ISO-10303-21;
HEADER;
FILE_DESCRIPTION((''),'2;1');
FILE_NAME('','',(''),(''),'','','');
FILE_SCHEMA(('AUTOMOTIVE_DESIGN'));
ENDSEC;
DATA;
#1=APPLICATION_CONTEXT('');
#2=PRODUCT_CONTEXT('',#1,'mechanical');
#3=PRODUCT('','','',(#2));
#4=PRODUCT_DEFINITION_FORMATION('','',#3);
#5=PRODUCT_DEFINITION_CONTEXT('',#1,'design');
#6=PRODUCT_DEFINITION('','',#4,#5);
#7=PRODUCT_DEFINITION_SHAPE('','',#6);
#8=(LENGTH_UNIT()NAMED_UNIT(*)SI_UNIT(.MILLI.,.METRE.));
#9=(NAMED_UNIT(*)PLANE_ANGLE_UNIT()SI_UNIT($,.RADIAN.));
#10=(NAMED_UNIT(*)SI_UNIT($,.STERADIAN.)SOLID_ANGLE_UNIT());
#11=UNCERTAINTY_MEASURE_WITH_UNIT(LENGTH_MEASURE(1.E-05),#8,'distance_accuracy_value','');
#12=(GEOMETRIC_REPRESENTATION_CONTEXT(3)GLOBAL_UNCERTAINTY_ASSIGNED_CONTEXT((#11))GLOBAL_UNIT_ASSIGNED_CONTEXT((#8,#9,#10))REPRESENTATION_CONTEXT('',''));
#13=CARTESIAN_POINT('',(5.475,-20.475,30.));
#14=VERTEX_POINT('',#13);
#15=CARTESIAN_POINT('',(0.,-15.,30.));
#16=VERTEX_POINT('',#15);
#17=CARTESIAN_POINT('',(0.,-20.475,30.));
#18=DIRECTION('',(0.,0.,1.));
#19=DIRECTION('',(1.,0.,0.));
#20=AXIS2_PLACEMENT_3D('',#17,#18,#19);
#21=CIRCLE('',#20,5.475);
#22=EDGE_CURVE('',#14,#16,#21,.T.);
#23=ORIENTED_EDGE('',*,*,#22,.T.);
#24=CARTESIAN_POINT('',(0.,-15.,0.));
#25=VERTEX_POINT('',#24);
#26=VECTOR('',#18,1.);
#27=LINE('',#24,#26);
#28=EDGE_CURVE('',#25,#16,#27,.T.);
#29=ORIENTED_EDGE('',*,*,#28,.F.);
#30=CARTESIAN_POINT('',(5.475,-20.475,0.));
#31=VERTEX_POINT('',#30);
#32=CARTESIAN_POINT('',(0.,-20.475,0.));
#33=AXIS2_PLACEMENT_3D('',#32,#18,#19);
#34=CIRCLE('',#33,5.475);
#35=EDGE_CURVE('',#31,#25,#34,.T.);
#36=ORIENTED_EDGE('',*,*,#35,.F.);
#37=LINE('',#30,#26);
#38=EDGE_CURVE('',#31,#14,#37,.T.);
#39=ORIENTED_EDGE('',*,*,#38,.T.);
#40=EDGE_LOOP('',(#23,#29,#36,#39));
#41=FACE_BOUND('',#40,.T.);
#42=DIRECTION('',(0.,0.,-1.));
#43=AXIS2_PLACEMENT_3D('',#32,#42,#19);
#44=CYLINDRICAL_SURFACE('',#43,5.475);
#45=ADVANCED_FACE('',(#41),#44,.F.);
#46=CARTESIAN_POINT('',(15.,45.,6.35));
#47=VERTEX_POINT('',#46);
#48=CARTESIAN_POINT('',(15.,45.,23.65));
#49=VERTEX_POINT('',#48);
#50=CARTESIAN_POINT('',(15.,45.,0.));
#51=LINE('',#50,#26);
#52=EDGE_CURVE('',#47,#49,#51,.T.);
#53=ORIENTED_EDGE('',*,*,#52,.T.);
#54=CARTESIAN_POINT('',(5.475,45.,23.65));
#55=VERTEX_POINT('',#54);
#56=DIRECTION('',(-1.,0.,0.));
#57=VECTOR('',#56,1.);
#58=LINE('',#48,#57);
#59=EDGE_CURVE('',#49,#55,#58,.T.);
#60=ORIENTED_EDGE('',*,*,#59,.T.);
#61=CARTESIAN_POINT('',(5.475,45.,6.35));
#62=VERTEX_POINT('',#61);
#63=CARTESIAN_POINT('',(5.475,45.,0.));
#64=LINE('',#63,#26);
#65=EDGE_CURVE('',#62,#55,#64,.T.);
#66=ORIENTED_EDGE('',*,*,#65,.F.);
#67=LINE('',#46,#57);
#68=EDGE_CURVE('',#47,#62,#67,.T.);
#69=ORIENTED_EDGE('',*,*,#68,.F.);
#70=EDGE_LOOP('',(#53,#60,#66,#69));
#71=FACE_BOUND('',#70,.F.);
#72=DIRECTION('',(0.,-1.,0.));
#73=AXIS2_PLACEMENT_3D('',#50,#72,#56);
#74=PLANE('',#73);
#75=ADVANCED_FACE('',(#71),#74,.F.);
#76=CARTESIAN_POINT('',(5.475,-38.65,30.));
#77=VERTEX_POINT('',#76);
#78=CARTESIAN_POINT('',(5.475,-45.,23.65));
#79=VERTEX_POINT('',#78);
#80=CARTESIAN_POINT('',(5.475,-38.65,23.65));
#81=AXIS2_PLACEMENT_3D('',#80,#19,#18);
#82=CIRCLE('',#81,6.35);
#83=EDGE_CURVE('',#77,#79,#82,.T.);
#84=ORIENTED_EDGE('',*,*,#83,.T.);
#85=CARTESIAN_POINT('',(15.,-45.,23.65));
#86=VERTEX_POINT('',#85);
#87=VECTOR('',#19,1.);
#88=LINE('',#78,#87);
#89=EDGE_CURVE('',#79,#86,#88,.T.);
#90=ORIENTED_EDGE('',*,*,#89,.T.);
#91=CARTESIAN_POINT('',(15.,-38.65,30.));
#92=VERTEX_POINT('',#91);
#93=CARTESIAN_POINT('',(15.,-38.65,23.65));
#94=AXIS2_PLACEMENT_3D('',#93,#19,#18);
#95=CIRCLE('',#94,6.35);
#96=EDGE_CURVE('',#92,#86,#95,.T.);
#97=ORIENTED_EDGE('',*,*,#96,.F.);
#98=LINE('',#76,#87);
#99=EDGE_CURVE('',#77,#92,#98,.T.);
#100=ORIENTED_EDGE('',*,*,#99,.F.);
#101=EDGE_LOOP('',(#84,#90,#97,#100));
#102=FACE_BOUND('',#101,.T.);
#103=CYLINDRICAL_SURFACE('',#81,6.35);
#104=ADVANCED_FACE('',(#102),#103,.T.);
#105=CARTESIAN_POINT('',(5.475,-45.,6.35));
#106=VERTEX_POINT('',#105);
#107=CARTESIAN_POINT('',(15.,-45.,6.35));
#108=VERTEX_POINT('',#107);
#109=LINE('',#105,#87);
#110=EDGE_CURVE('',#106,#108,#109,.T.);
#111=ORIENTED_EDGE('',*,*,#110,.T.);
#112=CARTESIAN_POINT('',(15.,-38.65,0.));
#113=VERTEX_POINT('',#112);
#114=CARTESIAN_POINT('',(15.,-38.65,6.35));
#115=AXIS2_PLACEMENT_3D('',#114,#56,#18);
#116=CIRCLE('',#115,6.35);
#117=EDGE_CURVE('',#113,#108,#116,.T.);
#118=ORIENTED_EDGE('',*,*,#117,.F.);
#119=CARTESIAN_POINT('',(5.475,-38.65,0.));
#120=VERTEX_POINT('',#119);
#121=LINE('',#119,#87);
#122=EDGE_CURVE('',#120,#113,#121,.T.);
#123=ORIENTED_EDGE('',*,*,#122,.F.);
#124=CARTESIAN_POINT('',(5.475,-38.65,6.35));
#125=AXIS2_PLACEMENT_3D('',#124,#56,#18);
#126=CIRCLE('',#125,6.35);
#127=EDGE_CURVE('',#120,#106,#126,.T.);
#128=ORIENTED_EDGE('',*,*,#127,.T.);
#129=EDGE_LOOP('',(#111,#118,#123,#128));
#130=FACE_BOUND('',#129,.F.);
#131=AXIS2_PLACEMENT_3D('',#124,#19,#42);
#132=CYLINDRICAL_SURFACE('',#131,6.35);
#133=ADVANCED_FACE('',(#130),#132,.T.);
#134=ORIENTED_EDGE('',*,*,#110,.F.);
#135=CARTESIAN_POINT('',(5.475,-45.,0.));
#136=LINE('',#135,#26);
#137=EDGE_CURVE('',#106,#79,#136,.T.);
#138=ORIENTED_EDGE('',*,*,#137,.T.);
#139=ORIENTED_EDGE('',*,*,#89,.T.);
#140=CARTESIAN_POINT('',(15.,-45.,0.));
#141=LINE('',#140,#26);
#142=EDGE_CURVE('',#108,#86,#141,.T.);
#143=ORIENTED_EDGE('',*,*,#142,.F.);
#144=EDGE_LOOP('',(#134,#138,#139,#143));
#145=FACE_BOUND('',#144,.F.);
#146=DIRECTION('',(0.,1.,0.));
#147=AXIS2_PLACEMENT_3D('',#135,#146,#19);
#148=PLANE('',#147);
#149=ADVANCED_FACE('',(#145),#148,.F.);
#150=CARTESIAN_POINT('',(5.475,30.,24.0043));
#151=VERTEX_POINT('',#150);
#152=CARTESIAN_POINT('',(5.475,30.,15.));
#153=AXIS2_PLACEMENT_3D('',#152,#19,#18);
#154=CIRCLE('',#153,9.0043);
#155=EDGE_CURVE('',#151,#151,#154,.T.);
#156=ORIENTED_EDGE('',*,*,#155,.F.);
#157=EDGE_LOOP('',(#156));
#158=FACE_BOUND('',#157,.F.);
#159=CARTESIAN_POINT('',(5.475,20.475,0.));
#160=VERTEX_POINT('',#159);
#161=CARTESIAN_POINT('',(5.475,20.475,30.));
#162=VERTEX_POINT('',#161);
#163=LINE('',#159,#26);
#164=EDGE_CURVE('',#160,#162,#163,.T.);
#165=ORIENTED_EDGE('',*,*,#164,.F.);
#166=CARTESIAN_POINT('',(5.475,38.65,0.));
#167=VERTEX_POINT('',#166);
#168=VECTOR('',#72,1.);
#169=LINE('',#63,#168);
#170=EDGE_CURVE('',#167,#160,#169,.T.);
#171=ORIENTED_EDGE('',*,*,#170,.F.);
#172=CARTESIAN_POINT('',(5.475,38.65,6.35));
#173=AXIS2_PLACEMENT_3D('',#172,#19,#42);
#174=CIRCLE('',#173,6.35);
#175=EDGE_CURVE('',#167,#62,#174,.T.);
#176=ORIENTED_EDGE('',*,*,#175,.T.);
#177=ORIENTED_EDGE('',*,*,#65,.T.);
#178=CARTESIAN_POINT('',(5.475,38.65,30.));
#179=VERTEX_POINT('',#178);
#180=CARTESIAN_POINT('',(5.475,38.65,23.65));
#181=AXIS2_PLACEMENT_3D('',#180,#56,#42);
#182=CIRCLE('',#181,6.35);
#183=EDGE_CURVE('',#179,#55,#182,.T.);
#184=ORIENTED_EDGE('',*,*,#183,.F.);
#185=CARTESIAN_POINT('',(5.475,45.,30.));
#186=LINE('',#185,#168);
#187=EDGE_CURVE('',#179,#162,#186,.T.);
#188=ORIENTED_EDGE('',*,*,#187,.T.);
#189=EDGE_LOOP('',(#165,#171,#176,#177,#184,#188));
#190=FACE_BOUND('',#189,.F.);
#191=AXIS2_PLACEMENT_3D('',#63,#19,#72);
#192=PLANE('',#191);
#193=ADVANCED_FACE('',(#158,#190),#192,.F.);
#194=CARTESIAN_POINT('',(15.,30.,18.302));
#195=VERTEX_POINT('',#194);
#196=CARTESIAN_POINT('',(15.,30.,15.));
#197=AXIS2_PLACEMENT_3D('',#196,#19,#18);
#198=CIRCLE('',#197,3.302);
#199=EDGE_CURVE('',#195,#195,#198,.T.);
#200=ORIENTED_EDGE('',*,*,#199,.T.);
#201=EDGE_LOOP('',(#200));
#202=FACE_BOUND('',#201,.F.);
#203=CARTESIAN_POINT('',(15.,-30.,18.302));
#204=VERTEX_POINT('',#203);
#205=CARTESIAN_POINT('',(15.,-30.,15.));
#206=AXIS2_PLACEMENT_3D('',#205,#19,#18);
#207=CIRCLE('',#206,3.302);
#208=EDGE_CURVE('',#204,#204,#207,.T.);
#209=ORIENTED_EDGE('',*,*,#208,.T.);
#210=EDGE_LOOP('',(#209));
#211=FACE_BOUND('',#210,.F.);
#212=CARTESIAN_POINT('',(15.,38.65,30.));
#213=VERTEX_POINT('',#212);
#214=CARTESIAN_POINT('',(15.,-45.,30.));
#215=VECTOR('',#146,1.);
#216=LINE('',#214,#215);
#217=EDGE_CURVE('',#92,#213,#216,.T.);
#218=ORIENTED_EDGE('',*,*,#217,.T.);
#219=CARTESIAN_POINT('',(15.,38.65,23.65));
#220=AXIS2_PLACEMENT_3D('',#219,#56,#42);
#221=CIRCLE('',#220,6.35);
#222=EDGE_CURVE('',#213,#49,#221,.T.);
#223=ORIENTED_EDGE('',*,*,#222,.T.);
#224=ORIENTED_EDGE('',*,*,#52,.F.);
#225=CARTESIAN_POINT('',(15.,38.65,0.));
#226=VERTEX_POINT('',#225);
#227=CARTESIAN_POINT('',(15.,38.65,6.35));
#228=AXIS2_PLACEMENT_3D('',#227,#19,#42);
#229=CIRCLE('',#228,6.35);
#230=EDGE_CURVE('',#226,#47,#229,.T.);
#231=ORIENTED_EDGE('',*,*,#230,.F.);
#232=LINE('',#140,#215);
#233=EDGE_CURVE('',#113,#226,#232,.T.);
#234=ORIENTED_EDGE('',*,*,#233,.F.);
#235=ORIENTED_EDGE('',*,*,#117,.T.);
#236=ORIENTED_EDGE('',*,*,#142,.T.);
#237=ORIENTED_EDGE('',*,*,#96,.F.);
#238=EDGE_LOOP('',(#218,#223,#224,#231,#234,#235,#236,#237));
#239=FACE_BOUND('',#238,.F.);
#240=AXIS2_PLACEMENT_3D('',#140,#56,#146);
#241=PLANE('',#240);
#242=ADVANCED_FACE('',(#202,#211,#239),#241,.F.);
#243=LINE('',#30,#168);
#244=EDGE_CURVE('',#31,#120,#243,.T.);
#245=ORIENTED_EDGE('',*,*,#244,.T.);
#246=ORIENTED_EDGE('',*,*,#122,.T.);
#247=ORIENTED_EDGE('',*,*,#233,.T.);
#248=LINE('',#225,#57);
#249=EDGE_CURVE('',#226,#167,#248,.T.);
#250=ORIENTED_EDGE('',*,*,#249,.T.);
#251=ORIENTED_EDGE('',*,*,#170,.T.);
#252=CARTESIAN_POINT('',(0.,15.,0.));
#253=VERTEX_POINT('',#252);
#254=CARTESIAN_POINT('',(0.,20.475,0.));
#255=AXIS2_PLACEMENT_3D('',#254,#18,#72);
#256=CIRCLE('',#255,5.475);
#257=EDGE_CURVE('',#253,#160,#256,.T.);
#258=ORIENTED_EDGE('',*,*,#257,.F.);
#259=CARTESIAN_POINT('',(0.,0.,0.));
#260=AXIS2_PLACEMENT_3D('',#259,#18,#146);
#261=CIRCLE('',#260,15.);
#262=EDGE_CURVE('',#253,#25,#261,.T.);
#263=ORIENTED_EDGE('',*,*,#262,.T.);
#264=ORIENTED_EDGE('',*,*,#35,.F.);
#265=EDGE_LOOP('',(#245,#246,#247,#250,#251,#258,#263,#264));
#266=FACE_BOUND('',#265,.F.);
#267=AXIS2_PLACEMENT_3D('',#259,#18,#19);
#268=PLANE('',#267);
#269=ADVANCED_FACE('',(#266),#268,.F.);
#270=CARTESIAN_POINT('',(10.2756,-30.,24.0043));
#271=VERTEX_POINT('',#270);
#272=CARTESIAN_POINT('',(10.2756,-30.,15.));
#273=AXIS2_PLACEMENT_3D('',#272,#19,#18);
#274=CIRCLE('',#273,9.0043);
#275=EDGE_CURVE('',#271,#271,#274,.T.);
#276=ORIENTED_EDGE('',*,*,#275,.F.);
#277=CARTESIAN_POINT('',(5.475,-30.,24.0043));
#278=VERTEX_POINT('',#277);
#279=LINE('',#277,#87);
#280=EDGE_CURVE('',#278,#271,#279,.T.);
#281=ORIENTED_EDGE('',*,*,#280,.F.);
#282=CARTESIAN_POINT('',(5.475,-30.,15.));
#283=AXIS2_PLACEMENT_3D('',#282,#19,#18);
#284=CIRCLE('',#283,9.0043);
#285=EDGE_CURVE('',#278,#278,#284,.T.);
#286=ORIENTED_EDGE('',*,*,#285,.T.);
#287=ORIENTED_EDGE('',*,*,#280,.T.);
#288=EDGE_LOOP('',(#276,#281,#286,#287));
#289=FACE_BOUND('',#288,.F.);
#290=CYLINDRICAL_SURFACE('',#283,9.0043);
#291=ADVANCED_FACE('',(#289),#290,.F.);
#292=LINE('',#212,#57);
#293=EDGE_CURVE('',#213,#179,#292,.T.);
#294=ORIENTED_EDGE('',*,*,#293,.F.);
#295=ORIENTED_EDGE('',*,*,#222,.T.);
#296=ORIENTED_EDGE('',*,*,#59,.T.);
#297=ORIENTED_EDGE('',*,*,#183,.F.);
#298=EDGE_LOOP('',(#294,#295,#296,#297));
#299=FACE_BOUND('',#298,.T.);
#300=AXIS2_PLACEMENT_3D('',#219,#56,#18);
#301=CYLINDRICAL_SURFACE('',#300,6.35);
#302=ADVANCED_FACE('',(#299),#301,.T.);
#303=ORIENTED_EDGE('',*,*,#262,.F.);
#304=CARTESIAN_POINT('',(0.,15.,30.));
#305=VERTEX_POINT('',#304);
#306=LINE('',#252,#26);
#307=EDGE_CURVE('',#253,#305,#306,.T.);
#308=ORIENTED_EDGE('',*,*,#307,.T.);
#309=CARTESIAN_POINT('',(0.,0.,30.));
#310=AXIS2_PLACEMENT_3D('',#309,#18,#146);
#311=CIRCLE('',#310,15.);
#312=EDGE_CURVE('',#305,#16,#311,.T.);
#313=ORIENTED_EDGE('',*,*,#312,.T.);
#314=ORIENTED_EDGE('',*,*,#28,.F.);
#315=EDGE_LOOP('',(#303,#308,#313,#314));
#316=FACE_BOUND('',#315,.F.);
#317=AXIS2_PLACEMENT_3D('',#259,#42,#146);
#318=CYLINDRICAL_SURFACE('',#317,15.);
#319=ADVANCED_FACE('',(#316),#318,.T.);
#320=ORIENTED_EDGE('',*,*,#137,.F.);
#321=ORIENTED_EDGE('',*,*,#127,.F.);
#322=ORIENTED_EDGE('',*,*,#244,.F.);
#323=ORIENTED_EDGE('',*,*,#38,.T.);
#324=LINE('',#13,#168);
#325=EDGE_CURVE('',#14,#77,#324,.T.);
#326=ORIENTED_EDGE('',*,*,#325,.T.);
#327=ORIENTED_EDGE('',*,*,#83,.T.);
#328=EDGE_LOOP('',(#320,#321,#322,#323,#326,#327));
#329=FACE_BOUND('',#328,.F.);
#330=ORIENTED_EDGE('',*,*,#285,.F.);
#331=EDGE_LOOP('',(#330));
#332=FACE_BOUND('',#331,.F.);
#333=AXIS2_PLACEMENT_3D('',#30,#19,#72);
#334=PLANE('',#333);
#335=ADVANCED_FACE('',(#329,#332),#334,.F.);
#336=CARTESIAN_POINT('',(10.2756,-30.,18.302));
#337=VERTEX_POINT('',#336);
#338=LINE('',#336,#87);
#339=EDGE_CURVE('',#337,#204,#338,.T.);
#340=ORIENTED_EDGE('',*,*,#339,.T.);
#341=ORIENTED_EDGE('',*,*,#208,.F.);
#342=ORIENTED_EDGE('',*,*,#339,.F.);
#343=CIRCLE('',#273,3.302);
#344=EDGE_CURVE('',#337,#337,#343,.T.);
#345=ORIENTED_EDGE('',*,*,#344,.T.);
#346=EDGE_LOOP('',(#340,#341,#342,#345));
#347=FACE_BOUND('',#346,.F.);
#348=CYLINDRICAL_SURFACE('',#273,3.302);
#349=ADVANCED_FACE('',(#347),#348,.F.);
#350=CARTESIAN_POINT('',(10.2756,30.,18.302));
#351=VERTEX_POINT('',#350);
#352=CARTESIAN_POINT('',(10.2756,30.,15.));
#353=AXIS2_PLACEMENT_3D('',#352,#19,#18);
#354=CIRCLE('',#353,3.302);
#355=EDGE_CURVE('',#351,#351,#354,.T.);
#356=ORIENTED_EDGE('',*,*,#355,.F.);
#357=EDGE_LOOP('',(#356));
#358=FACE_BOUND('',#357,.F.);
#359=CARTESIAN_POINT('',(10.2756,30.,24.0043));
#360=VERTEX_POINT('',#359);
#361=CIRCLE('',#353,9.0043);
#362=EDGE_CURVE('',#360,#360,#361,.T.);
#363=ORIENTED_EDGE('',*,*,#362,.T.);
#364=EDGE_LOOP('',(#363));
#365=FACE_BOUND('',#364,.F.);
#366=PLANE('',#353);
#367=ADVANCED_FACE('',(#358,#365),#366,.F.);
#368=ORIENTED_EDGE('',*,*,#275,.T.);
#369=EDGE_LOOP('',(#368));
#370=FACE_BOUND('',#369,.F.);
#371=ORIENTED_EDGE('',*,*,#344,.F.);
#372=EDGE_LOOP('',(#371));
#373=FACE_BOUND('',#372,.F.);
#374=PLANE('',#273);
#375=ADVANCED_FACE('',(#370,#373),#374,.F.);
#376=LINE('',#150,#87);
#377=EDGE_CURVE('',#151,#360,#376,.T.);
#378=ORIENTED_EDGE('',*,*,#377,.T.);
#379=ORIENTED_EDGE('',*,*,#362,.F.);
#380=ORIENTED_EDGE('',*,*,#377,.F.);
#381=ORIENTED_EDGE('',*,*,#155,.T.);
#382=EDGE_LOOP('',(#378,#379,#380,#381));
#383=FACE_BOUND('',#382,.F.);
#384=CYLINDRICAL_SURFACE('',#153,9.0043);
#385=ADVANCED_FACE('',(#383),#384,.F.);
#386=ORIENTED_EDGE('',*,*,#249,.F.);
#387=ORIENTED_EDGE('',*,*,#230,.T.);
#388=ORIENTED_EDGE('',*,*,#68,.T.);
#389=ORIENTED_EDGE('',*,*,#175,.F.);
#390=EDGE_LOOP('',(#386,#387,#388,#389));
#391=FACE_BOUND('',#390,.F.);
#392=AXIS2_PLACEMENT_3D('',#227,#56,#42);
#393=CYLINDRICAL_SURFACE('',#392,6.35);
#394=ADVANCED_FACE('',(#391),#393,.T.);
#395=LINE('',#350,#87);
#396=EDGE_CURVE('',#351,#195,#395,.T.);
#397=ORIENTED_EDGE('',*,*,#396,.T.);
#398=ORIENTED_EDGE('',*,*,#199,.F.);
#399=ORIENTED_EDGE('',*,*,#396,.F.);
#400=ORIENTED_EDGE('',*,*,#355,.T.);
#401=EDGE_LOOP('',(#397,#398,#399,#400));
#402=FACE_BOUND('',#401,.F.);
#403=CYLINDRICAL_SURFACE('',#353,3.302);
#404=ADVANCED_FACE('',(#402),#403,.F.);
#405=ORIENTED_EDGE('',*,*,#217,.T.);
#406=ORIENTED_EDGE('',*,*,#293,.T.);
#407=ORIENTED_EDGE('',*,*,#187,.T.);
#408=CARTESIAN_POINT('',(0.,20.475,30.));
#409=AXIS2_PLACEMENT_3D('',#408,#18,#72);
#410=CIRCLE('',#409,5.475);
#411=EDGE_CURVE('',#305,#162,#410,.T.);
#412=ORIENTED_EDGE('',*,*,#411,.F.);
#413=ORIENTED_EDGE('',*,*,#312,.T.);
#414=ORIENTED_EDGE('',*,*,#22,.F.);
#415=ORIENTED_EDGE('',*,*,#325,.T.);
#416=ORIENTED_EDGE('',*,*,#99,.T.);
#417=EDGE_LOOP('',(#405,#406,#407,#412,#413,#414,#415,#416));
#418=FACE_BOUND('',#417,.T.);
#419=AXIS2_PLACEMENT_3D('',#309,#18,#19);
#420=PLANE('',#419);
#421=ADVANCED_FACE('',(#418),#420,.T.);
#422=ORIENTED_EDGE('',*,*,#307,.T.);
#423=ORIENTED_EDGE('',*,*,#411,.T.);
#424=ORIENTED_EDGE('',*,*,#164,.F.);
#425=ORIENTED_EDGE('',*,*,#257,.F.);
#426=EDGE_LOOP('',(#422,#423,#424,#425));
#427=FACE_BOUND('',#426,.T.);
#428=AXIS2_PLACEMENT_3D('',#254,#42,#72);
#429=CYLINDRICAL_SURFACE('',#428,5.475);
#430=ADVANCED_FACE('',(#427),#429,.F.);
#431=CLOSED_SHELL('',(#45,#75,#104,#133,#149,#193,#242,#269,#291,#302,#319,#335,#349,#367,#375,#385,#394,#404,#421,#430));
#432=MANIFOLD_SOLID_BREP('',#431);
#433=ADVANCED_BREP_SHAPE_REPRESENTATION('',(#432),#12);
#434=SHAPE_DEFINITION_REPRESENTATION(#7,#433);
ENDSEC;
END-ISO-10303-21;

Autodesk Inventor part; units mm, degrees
ref_plane "YZ Plane" through (0, 0, 0) normal (1, 0, 0) x (0, 1, 0)
ref_plane "XZ Plane" through (0, 0, 0) normal (0, 1, 0) x (-1, 0, 0)
ref_plane "XY Plane" through (0, 0, 0) normal (0, 0, 1) x (1, 0, 0)
sketch "Sketch1" plane through (0, 0, 0) normal (0, 0, 1) x (1, 0, 0)
  line L0 (5.475, -45) -> (15, -45)
  line L1 (15, -45) -> (15, 45)
  line L2 (15, 45) -> (5.475, 45)
  line L3 (5.475, -45) -> (15, 45) construction
  line L4 (15, -45) -> (5.475, 45) construction
  arc A0 (0, 15) -> (5.475, 20.475) centre (0, 20.475) ccw
  line L5 (5.475, 0) -> (15, 0) construction
  arc A1 (5.475, -20.475) -> (0, -15) centre (0, -20.475) ccw
  line L6 (5.475, 45) -> (5.475, 20.475)
  line L7 (5.475, -20.475) -> (5.475, -45)
  arc A2 (0, 15) -> (0, -15) centre (0, 0) ccw
  point P0 (10.2375, 0)
  point P1 (10.2375, 0)
  dimension "d1" = 90
  dimension "d2" = 9.525
  dimension "d3" = 15
extrude "Extrusion1" add sketch "Sketch1" along normal blind 30
sketch "Sketch2" plane through (5.475, 20.475, 0) normal (-1, 0, 0) x (0, 0, 1)
  line L0 (0, -65.475) -> (30, -65.475) projected
  line L1 (0, 24.525) -> (30, 24.525) projected
  point P0 (0, -20.475)
  point P1 (15, 9.525)
  point P2 (15, -50.475)
  point P3 (15, -65.475)
  dimension "d6" = 15
  dimension "d7" = 15
hole "Hole1" at (5.475, 30, 15) at (5.475, -30, 15) direction (1, 0, 0) diameter 6.604 end through all counterbore diameter 18.0086 counterbore depth 4.8006 clearance for "Hex Head Cap Screw DIN EN 24017" size "M6" standard "DIN"
fillet "Fillet1" radius 6.35 4 edges at (10.2375, -45, 30) (10.2375, 45, 30) (10.2375, 45, 0) (10.2375, -45, 0)
properties part number "NASA-20-ARM-BR-01"
